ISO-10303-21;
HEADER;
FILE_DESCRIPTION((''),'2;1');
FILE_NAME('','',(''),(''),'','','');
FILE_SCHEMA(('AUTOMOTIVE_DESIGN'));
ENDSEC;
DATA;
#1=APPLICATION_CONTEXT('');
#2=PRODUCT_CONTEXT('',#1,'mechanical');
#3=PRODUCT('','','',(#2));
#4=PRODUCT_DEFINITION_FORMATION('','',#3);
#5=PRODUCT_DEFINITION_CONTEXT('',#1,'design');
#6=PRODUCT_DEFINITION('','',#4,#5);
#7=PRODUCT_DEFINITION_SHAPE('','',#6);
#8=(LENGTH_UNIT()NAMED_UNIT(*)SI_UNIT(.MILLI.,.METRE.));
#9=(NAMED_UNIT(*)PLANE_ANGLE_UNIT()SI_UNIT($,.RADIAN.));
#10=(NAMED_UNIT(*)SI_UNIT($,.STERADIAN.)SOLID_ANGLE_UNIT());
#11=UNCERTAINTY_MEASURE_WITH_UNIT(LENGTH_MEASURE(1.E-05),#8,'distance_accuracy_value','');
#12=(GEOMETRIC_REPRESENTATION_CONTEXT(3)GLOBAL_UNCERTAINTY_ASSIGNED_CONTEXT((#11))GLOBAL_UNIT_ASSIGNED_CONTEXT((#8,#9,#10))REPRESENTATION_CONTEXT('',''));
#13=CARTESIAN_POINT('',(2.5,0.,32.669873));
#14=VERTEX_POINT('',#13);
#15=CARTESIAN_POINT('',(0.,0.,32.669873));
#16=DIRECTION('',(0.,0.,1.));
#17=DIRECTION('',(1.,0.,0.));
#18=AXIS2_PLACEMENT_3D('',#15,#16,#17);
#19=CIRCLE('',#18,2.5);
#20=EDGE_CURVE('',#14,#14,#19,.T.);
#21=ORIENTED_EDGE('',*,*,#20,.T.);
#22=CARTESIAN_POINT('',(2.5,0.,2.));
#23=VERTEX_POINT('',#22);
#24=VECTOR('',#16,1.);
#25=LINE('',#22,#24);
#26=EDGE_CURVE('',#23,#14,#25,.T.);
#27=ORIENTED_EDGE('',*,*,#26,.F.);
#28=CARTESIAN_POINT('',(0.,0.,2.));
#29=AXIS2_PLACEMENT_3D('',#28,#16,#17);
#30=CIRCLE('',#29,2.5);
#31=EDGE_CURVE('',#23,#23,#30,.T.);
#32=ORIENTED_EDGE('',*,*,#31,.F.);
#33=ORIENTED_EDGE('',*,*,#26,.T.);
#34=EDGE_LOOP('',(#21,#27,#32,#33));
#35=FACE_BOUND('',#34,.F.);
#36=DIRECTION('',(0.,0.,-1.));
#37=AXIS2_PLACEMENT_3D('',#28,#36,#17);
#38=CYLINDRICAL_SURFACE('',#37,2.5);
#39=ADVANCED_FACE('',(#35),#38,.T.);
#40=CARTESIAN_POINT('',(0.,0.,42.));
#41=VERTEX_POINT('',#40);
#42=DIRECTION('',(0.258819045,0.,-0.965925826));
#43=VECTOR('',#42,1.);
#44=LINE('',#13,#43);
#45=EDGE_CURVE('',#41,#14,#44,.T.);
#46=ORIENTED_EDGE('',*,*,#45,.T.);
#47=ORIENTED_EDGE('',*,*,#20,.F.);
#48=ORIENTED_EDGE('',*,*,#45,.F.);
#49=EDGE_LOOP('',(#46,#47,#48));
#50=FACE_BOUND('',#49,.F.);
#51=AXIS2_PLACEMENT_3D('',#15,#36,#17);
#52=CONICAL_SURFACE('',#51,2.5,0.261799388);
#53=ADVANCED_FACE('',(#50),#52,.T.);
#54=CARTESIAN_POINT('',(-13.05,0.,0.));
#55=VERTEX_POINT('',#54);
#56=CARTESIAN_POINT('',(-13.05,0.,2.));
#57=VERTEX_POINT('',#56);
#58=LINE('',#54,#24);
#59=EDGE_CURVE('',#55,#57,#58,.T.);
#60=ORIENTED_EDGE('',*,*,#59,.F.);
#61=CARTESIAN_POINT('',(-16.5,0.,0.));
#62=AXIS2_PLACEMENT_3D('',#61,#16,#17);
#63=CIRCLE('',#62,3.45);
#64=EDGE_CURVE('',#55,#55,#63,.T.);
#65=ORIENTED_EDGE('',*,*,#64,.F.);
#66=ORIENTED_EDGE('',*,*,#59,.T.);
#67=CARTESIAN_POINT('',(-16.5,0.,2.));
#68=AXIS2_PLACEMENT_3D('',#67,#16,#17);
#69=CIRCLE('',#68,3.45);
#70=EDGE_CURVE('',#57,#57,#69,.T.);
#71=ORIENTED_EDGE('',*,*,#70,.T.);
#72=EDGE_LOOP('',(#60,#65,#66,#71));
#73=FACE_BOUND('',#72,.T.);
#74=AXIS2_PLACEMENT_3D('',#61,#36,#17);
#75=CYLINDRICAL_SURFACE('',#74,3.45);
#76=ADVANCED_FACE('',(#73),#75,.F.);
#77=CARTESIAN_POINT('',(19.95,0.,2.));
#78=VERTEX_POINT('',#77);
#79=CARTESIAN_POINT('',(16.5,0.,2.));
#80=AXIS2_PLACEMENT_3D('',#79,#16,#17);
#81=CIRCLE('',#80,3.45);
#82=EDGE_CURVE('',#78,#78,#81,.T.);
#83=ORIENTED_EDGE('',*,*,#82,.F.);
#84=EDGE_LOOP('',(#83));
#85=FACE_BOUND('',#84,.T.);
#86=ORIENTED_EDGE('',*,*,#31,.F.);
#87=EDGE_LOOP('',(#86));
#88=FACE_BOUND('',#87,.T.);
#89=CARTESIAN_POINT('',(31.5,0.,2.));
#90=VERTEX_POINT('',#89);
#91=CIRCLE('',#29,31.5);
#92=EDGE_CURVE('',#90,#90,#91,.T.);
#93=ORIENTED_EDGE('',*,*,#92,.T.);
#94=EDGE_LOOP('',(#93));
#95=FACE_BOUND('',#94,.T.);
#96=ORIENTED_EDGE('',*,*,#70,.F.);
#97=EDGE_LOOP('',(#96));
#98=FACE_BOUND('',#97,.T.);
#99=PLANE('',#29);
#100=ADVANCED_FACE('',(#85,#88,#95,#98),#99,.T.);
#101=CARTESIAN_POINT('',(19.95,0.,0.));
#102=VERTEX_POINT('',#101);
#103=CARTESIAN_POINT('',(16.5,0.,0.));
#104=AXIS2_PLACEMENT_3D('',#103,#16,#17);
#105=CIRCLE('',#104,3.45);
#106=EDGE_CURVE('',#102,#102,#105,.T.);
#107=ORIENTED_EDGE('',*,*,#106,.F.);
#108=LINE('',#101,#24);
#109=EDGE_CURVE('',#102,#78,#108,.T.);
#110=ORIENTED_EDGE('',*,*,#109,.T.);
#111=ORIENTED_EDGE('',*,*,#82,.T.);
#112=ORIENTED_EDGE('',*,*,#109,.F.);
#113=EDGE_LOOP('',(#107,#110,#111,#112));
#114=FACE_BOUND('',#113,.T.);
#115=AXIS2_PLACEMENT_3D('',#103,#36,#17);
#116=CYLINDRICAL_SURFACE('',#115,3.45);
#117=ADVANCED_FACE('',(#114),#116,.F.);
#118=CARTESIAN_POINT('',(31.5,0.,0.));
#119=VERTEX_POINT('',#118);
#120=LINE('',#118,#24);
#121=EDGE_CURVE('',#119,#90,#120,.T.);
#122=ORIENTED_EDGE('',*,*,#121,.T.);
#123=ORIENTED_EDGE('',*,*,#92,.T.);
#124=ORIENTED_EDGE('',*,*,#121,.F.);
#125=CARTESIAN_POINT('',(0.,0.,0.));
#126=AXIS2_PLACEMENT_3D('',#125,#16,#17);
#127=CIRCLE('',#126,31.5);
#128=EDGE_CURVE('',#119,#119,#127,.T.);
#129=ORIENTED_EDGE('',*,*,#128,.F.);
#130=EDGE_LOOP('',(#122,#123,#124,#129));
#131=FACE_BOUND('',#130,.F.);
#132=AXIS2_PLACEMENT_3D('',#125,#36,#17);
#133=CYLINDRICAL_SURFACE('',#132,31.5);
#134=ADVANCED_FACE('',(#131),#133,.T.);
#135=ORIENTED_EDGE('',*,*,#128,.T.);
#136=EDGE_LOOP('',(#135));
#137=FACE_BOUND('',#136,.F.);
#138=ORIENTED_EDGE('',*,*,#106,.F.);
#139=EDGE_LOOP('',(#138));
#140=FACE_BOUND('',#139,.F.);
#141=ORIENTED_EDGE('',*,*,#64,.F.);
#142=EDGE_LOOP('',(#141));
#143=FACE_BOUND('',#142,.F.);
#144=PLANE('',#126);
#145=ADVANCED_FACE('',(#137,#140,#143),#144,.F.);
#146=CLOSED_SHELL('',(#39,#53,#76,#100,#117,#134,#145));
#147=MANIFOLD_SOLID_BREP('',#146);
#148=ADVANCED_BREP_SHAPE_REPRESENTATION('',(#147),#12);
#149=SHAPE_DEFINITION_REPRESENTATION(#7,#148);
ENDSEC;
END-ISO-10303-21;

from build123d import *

# Parameters (mm, degrees)
F0_R     = 31.5
F0_R_2   = 3.45
F1_DEPTH = 2
F2_R     = 2.5
F3_DEPTH = 40
F4_SIZE2 = 9.3301270189
F4_SIZE  = 2.5


with BuildPart() as f1:
    # F0 (on Top) → F1 (new body)
    with BuildSketch(Plane.XY):
        Circle(F0_R)
        with Locations((-16.5, 0)):
            Circle(F0_R_2, mode=Mode.SUBTRACT)
        with Locations((16.5, 0)):
            Circle(F0_R_2, mode=Mode.SUBTRACT)
    extrude(amount=F1_DEPTH)

    # F2 (on face) → F3 (join)
    with BuildSketch(Plane.XY.offset(2)):
        Circle(F2_R)
    extrude(amount=F3_DEPTH)

    # F4
    f4_edges = [f1.edges().sort_by_distance(p)[0] for p in [
        (-2.5, 0, 42),
    ]]
    f4_side = f1.faces().sort_by_distance((0, 0, 42))[0]
    chamfer(f4_edges, length=F4_SIZE, length2=F4_SIZE2, reference=f4_side)


solid = f1.part
